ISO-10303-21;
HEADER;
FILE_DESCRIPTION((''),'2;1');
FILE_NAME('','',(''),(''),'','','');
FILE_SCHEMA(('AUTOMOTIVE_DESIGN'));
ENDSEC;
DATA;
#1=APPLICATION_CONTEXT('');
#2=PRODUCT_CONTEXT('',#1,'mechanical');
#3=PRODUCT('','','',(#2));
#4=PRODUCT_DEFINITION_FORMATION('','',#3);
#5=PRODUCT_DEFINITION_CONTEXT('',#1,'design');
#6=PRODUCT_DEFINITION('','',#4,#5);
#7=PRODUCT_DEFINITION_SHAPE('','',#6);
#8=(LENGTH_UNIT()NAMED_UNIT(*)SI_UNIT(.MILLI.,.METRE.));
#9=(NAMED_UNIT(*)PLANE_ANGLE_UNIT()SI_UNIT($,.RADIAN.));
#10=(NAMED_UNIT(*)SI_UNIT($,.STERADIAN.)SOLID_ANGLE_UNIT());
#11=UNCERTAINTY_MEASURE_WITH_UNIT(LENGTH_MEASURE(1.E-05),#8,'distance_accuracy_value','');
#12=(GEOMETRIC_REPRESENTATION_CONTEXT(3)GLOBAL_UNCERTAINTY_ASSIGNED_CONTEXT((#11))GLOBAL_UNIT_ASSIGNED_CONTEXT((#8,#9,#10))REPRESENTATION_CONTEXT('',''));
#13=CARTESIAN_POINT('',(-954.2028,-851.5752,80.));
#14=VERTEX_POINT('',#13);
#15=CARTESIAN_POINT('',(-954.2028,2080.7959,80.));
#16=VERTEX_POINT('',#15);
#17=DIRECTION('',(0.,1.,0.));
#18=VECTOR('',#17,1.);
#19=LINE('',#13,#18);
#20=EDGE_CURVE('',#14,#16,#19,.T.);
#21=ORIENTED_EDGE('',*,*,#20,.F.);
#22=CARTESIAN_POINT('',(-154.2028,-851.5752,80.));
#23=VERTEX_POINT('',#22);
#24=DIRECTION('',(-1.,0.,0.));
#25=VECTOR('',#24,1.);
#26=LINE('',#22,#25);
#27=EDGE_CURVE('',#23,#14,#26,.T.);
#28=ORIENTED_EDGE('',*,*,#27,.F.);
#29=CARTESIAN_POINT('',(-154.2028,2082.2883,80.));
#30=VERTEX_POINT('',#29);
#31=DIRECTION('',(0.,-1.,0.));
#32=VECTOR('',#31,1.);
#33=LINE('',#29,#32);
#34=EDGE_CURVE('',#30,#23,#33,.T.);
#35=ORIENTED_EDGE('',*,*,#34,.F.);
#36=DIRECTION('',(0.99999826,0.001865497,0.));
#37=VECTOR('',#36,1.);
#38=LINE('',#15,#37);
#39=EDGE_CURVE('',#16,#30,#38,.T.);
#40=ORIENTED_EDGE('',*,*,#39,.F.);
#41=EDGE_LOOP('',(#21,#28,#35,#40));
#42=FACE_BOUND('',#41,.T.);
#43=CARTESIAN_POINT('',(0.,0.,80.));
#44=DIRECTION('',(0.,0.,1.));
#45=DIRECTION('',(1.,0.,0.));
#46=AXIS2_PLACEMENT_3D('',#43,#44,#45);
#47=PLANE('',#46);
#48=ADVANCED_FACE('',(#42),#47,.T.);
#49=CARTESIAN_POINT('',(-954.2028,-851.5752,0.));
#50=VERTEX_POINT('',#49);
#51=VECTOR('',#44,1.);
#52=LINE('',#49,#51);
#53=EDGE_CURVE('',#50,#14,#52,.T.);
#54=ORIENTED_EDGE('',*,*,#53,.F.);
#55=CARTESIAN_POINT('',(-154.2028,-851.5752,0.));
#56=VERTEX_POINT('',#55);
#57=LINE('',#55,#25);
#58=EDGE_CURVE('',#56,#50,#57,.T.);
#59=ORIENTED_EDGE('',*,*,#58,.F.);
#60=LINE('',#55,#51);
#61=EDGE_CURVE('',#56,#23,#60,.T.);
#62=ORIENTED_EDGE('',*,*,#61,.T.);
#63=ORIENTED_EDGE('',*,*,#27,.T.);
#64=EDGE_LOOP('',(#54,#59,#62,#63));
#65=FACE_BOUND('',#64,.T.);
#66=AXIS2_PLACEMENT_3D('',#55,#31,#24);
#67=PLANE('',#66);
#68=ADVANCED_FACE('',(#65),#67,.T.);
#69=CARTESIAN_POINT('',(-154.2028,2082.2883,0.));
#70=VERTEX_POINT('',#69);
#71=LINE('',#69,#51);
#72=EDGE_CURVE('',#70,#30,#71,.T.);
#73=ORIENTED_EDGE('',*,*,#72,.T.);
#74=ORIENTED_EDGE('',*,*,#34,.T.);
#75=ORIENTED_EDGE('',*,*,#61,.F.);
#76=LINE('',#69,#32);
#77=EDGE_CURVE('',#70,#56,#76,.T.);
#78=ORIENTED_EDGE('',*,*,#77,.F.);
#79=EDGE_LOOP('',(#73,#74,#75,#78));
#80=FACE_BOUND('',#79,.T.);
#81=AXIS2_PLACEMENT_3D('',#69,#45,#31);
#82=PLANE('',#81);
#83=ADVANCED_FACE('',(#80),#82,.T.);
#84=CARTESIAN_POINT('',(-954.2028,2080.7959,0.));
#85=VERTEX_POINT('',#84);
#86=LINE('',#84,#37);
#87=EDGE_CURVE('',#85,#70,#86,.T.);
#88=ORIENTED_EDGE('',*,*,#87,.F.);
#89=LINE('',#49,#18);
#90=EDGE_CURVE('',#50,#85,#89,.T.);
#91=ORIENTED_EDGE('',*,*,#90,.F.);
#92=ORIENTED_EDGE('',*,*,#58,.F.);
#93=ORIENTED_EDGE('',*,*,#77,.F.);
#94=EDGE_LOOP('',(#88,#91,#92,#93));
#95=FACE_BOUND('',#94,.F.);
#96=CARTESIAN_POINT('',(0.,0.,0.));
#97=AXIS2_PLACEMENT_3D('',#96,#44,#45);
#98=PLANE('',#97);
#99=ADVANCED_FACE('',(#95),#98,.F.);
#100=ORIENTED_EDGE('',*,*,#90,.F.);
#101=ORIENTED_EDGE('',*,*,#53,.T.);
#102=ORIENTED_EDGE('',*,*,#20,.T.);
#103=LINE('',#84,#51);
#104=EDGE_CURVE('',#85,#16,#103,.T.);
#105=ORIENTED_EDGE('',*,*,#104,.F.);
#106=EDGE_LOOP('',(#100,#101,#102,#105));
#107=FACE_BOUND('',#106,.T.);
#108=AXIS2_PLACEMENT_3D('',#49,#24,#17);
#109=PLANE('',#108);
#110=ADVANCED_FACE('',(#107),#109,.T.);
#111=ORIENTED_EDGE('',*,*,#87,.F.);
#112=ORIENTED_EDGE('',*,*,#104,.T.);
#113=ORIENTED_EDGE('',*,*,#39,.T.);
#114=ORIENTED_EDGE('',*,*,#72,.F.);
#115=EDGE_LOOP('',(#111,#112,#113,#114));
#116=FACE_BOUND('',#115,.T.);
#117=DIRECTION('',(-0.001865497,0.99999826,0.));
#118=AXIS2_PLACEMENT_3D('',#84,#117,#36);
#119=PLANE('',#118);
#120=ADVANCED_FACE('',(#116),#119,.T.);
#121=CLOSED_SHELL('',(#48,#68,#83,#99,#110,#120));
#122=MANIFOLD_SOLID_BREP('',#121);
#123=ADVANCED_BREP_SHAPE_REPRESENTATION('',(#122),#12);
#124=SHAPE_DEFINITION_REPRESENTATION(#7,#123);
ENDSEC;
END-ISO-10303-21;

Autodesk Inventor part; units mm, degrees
ref_plane "YZ Plane" through (0, 0, 0) normal (1, 0, 0) x (0, 1, 0)
ref_plane "XZ Plane" through (0, 0, 0) normal (0, 1, 0) x (-1, 0, 0)
ref_plane "XY Plane" through (0, 0, 0) normal (0, 0, 1) x (1, 0, 0)
sketch "Sketch1" plane through (0, 0, 0) normal (0, 0, 1) x (1, 0, 0)
  line L0 (-954.2028, 2080.7959) -> (-154.2028, 2082.2883)
  line L1 (-954.2028, -851.5752) -> (-954.2028, 2080.7959)
  line L2 (-154.2028, -851.5752) -> (-954.2028, -851.5752)
  line L3 (-154.2028, 2082.2883) -> (-154.2028, -851.5752)
  point P0 (0, 0)
  point P1 (-163.9907, 369.7807)
  point P2 (-154.2028, 3182.4263)
extrude "Extrusion1" add sketch "Sketch1" along normal blind 80
properties part number "front_wall_block04" material "Wood (Maple)"
